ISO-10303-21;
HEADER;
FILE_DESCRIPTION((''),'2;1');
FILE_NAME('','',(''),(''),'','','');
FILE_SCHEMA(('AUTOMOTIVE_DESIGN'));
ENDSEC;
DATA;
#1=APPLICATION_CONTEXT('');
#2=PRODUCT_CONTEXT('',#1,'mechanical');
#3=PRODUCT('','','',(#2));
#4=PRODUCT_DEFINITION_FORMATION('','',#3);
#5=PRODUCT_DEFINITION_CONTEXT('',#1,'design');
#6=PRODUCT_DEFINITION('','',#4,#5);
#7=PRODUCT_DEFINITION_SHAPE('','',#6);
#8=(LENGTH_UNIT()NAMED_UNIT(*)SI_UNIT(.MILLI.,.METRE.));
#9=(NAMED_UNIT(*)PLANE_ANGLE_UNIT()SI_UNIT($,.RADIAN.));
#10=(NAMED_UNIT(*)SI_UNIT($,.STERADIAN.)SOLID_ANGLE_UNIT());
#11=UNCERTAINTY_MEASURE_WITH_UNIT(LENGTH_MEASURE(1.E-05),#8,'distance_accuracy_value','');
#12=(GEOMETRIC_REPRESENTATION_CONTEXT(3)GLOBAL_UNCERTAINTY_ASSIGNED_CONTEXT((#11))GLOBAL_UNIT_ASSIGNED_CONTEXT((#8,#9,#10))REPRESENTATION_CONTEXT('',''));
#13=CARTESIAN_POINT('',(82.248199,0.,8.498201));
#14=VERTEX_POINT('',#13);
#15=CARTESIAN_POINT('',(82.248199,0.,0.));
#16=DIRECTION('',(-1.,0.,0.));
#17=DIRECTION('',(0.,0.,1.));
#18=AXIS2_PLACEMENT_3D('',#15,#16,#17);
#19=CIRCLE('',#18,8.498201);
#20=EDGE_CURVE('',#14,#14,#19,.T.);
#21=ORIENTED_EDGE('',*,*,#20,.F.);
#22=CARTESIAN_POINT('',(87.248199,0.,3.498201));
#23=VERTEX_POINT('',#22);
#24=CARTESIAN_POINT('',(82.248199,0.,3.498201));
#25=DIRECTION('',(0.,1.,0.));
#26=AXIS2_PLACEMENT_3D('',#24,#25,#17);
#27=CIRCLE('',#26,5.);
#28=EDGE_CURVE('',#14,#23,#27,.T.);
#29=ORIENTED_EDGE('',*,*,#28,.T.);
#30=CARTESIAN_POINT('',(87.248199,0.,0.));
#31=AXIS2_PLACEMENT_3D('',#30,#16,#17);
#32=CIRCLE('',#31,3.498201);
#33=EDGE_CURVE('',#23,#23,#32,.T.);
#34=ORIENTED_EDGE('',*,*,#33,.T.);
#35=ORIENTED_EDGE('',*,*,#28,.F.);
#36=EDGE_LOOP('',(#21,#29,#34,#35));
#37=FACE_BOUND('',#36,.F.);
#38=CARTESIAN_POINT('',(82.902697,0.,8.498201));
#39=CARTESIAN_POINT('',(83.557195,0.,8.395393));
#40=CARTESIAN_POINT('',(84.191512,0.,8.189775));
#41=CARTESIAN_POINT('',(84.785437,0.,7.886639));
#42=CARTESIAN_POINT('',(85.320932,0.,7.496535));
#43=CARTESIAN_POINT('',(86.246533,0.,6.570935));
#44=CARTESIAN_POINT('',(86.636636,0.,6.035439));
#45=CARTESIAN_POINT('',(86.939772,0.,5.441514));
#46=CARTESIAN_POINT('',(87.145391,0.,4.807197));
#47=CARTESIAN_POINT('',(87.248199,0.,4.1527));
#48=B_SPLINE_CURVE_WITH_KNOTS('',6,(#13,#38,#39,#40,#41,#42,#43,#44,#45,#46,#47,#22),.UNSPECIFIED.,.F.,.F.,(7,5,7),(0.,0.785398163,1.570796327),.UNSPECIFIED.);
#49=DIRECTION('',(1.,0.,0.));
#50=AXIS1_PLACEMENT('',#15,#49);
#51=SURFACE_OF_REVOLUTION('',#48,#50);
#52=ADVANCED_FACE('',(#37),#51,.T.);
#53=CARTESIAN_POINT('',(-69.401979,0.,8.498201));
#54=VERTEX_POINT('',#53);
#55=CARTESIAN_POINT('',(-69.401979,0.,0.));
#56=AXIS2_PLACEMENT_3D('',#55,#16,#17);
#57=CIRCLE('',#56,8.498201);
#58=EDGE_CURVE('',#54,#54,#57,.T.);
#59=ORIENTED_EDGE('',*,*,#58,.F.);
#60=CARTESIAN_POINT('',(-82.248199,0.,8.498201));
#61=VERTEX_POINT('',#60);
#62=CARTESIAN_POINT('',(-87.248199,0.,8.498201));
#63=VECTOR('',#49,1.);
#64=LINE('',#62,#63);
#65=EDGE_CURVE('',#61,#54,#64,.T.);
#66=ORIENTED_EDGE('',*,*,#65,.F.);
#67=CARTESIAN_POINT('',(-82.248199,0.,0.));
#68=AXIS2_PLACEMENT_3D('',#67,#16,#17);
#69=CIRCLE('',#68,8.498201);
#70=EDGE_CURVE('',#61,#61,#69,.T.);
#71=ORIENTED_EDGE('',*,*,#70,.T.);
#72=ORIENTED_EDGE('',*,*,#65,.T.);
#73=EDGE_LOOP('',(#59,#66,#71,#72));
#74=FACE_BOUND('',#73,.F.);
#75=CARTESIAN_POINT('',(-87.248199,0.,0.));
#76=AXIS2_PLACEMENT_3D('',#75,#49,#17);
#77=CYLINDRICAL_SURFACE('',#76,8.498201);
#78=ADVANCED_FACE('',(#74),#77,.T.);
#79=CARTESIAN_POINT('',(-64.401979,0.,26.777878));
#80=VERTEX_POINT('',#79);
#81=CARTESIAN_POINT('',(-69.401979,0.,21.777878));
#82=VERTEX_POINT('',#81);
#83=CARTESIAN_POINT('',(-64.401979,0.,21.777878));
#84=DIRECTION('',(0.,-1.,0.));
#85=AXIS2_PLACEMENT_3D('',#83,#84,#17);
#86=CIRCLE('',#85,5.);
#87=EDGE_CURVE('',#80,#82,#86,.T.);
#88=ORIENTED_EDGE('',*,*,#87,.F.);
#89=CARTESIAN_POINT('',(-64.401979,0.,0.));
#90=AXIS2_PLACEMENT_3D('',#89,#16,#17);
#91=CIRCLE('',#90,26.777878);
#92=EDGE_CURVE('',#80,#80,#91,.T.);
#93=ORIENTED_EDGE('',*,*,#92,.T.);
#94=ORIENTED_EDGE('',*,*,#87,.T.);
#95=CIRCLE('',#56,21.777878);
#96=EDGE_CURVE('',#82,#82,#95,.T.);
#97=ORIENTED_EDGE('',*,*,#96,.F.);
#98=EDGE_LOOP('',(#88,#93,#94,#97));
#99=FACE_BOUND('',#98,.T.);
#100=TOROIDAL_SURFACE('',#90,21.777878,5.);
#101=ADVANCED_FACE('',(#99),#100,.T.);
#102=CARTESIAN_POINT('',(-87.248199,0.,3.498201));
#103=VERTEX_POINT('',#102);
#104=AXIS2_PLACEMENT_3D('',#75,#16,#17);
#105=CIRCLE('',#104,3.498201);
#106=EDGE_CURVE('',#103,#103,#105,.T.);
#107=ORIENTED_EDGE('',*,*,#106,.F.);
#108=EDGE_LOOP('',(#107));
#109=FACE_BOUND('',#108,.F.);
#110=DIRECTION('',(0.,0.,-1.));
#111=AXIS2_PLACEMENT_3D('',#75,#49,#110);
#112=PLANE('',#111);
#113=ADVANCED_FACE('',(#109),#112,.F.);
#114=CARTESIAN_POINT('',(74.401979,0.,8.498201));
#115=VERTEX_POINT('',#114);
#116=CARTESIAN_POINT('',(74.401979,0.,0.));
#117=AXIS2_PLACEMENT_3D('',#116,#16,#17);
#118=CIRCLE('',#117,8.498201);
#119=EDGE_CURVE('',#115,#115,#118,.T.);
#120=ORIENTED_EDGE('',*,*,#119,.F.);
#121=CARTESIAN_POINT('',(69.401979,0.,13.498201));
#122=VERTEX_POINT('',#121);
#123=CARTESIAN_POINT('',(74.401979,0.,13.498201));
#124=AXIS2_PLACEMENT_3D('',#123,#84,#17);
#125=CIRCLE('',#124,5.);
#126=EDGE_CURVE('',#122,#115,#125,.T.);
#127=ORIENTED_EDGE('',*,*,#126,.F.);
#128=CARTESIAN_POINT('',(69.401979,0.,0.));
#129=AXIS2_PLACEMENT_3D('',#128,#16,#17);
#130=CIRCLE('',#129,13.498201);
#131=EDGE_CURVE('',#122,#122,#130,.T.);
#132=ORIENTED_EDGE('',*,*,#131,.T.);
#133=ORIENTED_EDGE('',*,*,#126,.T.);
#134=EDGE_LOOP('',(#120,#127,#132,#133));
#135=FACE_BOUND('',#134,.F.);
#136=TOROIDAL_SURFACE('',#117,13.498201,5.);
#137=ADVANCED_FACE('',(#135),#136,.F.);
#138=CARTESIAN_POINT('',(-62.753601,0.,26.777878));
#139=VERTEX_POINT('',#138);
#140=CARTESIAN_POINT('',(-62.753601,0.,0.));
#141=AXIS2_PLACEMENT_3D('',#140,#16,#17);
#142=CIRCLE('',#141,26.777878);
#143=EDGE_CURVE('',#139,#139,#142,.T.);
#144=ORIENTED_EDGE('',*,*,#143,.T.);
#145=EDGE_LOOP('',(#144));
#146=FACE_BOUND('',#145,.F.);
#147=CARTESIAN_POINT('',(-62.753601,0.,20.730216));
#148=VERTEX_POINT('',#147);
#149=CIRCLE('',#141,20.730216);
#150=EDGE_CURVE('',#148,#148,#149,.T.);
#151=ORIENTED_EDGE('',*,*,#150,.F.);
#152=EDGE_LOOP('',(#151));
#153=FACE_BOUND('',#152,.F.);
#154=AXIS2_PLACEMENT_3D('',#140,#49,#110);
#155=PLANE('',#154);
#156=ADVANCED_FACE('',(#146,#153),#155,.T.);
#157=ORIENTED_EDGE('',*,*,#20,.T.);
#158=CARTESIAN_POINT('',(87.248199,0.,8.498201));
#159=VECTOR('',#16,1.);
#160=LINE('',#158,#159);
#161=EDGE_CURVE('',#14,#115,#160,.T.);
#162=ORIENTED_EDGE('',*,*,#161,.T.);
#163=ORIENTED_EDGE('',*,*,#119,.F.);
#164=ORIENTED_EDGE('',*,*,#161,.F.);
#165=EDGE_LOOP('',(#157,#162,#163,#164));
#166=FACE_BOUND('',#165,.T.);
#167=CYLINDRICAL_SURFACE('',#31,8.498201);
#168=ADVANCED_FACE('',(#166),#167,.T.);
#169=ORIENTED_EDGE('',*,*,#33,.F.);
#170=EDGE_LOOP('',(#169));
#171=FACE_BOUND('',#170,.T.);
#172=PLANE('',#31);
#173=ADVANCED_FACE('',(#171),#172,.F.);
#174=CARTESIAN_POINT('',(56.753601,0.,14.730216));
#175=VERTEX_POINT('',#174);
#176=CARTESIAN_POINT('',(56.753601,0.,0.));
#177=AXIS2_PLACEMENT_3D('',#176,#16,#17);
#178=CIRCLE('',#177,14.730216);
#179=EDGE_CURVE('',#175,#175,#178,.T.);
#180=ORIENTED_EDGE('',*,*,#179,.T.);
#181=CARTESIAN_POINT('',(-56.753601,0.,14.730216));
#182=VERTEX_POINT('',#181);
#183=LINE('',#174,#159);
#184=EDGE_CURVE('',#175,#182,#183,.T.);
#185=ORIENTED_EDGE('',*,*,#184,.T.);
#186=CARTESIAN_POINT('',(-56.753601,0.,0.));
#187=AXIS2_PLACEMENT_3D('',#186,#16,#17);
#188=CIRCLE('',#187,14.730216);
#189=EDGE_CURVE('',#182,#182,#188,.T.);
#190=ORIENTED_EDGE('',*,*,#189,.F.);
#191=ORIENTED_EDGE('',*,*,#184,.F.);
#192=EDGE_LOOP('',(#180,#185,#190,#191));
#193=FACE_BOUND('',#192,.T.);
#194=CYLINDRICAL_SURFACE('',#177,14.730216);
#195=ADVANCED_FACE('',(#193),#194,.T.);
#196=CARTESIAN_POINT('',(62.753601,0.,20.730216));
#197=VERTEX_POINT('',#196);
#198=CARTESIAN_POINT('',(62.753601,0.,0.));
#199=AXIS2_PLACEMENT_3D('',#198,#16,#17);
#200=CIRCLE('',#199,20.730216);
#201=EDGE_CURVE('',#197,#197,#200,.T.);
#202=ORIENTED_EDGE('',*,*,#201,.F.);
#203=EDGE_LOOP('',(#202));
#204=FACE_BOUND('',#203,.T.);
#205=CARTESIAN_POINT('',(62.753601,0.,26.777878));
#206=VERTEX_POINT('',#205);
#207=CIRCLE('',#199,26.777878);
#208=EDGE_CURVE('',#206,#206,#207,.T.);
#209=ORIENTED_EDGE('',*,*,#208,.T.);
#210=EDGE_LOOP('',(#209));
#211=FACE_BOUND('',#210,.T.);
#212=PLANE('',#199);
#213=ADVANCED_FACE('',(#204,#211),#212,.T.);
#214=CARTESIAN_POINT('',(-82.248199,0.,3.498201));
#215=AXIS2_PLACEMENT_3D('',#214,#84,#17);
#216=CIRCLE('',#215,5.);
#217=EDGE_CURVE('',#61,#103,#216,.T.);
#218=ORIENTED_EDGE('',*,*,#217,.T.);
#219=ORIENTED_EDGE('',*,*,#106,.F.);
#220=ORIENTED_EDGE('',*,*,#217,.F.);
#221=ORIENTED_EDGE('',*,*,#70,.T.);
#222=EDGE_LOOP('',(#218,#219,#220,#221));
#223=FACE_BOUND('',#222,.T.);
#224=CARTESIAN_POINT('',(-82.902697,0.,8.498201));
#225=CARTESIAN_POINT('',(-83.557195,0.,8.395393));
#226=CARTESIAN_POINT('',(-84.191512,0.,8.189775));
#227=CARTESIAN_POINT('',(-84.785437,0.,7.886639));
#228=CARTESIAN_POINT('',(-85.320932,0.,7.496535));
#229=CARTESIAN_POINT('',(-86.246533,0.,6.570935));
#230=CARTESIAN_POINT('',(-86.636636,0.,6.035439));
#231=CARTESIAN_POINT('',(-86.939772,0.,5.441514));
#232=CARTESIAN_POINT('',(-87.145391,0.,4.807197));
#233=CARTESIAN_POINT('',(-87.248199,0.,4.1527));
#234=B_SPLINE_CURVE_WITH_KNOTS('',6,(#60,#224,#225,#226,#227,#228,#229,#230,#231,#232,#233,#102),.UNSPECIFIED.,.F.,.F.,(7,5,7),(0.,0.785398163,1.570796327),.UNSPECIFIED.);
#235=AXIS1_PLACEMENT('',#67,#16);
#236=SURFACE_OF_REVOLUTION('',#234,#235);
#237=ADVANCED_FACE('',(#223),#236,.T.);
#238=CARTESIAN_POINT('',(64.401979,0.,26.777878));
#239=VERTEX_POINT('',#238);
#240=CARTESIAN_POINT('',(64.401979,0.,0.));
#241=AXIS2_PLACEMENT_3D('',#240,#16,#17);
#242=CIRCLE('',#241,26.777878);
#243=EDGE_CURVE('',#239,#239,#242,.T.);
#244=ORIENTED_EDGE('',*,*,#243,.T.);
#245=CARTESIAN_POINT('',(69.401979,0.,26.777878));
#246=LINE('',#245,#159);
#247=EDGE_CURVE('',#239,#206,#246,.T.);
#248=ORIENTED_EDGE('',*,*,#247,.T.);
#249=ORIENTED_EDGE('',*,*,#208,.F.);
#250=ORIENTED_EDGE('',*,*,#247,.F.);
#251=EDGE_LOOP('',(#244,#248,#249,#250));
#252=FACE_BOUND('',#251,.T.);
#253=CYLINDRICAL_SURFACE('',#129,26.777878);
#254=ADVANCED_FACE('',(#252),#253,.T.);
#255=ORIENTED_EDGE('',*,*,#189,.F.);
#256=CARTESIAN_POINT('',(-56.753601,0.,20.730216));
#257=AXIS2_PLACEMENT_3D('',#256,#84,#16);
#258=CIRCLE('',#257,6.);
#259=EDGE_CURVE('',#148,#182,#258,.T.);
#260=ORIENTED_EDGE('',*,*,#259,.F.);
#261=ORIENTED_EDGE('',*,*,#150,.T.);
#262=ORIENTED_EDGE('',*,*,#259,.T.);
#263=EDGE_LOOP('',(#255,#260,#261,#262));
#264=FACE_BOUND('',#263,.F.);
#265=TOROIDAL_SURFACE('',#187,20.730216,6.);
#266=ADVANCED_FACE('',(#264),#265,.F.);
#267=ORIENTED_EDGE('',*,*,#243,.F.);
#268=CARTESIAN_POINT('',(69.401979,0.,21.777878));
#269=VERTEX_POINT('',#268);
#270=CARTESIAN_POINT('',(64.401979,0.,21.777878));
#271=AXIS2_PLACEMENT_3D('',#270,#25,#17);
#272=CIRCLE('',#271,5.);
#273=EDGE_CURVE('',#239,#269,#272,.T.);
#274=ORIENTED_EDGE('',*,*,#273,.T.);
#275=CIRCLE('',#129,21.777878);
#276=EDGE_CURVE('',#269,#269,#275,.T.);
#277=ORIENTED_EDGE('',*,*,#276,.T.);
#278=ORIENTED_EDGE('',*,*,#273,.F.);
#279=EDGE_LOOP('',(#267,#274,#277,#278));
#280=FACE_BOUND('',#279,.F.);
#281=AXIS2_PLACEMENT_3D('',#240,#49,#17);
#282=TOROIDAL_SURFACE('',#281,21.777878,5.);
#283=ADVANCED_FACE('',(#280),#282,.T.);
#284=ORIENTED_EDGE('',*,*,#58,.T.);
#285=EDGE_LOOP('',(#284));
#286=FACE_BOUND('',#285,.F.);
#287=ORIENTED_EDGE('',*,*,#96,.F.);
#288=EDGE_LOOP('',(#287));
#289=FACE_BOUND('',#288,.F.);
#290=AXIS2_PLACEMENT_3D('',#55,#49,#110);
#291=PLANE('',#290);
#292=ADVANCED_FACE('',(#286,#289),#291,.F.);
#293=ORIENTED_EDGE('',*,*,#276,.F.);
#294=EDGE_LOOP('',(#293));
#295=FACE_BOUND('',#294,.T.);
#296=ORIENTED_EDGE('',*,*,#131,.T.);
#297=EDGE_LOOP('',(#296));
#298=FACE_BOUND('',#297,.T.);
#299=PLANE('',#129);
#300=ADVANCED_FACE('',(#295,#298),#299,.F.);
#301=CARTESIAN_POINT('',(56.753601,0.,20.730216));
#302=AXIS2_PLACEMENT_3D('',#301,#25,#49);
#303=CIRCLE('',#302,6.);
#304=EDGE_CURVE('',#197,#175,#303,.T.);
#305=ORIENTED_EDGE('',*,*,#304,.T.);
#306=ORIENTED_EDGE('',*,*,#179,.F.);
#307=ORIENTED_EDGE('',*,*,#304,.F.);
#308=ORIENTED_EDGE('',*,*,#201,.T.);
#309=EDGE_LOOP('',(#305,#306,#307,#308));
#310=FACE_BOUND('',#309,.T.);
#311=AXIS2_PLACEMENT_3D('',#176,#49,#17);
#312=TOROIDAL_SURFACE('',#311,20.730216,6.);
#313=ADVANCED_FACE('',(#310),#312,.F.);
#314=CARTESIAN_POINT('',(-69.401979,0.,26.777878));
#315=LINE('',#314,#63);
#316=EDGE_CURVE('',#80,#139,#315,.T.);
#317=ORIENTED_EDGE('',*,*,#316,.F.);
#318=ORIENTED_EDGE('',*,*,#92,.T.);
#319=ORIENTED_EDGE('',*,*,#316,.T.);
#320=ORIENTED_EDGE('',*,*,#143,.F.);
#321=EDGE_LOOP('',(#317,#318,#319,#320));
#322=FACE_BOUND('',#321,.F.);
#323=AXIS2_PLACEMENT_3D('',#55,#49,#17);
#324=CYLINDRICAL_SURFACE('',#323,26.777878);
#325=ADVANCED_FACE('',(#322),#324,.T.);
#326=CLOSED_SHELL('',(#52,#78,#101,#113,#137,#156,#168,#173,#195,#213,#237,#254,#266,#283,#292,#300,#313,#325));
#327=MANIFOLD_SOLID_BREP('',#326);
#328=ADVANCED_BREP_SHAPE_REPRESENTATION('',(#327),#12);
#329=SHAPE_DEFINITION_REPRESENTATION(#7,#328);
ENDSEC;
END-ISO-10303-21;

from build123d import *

# Parameters (mm, degrees)
F3_R = 5
F4_R = 5


with BuildPart() as f1:
    # F0 (on Front) → F1 (revolve)
    with BuildSketch(Plane.XZ):
        with BuildLine():
            Line((56.7536008358, 14.730216004), (0, 14.730216004))
            Line((0, 14.730216004), (0, 0))
            Line((0, 0), (87.248198688, 0))
            Line((87.248198688, 0), (87.248198688, 8.4982011467))
            Line((87.248198688, 8.4982011467), (69.4019794464, 8.4982011467))
            Line((69.4019794464, 8.4982011467), (69.4019794464, 11.7778782398))
            Line((69.4019794464, 11.7778782398), (69.4019794464, 26.7778782398))
            Line((69.4019794464, 26.7778782398), (62.7536008358, 26.7778782398))
            Line((62.7536008358, 26.7778782398), (62.7536008358, 20.730216004))
            ThreePointArc((62.7536008358, 20.730216004), (60.9962415229, 16.4875753168), (56.7536008358, 14.730216004))
        make_face()
    revolve(axis=Axis((43.624099344, 0, 0), (-1, 0, 0)))

    # F2: F1 across face


with BuildPart() as f1_1:
    add(f1.part)
    add(f1.part.mirror(Plane(origin=(0, 0, 0), x_dir=(0, -1, 0), z_dir=(-1, 0, 0))))

    # F3
    f3_edges = [f1_1.edges().sort_by_distance(p)[0] for p in [
        (-87.248199, 0, -8.498201),
        (-69.401979, 0, -26.777878),
    ]]
    fillet(f3_edges, radius=F3_R)

    # F4
    f4_edges = [f1_1.edges().sort_by_distance(p)[0] for p in [
        (69.401979, 0, -26.777878),
        (69.401979, 0, -8.498201),
        (87.248199, 0, -8.498201),
    ]]
    fillet(f4_edges, radius=F4_R)


solid = f1_1.part
